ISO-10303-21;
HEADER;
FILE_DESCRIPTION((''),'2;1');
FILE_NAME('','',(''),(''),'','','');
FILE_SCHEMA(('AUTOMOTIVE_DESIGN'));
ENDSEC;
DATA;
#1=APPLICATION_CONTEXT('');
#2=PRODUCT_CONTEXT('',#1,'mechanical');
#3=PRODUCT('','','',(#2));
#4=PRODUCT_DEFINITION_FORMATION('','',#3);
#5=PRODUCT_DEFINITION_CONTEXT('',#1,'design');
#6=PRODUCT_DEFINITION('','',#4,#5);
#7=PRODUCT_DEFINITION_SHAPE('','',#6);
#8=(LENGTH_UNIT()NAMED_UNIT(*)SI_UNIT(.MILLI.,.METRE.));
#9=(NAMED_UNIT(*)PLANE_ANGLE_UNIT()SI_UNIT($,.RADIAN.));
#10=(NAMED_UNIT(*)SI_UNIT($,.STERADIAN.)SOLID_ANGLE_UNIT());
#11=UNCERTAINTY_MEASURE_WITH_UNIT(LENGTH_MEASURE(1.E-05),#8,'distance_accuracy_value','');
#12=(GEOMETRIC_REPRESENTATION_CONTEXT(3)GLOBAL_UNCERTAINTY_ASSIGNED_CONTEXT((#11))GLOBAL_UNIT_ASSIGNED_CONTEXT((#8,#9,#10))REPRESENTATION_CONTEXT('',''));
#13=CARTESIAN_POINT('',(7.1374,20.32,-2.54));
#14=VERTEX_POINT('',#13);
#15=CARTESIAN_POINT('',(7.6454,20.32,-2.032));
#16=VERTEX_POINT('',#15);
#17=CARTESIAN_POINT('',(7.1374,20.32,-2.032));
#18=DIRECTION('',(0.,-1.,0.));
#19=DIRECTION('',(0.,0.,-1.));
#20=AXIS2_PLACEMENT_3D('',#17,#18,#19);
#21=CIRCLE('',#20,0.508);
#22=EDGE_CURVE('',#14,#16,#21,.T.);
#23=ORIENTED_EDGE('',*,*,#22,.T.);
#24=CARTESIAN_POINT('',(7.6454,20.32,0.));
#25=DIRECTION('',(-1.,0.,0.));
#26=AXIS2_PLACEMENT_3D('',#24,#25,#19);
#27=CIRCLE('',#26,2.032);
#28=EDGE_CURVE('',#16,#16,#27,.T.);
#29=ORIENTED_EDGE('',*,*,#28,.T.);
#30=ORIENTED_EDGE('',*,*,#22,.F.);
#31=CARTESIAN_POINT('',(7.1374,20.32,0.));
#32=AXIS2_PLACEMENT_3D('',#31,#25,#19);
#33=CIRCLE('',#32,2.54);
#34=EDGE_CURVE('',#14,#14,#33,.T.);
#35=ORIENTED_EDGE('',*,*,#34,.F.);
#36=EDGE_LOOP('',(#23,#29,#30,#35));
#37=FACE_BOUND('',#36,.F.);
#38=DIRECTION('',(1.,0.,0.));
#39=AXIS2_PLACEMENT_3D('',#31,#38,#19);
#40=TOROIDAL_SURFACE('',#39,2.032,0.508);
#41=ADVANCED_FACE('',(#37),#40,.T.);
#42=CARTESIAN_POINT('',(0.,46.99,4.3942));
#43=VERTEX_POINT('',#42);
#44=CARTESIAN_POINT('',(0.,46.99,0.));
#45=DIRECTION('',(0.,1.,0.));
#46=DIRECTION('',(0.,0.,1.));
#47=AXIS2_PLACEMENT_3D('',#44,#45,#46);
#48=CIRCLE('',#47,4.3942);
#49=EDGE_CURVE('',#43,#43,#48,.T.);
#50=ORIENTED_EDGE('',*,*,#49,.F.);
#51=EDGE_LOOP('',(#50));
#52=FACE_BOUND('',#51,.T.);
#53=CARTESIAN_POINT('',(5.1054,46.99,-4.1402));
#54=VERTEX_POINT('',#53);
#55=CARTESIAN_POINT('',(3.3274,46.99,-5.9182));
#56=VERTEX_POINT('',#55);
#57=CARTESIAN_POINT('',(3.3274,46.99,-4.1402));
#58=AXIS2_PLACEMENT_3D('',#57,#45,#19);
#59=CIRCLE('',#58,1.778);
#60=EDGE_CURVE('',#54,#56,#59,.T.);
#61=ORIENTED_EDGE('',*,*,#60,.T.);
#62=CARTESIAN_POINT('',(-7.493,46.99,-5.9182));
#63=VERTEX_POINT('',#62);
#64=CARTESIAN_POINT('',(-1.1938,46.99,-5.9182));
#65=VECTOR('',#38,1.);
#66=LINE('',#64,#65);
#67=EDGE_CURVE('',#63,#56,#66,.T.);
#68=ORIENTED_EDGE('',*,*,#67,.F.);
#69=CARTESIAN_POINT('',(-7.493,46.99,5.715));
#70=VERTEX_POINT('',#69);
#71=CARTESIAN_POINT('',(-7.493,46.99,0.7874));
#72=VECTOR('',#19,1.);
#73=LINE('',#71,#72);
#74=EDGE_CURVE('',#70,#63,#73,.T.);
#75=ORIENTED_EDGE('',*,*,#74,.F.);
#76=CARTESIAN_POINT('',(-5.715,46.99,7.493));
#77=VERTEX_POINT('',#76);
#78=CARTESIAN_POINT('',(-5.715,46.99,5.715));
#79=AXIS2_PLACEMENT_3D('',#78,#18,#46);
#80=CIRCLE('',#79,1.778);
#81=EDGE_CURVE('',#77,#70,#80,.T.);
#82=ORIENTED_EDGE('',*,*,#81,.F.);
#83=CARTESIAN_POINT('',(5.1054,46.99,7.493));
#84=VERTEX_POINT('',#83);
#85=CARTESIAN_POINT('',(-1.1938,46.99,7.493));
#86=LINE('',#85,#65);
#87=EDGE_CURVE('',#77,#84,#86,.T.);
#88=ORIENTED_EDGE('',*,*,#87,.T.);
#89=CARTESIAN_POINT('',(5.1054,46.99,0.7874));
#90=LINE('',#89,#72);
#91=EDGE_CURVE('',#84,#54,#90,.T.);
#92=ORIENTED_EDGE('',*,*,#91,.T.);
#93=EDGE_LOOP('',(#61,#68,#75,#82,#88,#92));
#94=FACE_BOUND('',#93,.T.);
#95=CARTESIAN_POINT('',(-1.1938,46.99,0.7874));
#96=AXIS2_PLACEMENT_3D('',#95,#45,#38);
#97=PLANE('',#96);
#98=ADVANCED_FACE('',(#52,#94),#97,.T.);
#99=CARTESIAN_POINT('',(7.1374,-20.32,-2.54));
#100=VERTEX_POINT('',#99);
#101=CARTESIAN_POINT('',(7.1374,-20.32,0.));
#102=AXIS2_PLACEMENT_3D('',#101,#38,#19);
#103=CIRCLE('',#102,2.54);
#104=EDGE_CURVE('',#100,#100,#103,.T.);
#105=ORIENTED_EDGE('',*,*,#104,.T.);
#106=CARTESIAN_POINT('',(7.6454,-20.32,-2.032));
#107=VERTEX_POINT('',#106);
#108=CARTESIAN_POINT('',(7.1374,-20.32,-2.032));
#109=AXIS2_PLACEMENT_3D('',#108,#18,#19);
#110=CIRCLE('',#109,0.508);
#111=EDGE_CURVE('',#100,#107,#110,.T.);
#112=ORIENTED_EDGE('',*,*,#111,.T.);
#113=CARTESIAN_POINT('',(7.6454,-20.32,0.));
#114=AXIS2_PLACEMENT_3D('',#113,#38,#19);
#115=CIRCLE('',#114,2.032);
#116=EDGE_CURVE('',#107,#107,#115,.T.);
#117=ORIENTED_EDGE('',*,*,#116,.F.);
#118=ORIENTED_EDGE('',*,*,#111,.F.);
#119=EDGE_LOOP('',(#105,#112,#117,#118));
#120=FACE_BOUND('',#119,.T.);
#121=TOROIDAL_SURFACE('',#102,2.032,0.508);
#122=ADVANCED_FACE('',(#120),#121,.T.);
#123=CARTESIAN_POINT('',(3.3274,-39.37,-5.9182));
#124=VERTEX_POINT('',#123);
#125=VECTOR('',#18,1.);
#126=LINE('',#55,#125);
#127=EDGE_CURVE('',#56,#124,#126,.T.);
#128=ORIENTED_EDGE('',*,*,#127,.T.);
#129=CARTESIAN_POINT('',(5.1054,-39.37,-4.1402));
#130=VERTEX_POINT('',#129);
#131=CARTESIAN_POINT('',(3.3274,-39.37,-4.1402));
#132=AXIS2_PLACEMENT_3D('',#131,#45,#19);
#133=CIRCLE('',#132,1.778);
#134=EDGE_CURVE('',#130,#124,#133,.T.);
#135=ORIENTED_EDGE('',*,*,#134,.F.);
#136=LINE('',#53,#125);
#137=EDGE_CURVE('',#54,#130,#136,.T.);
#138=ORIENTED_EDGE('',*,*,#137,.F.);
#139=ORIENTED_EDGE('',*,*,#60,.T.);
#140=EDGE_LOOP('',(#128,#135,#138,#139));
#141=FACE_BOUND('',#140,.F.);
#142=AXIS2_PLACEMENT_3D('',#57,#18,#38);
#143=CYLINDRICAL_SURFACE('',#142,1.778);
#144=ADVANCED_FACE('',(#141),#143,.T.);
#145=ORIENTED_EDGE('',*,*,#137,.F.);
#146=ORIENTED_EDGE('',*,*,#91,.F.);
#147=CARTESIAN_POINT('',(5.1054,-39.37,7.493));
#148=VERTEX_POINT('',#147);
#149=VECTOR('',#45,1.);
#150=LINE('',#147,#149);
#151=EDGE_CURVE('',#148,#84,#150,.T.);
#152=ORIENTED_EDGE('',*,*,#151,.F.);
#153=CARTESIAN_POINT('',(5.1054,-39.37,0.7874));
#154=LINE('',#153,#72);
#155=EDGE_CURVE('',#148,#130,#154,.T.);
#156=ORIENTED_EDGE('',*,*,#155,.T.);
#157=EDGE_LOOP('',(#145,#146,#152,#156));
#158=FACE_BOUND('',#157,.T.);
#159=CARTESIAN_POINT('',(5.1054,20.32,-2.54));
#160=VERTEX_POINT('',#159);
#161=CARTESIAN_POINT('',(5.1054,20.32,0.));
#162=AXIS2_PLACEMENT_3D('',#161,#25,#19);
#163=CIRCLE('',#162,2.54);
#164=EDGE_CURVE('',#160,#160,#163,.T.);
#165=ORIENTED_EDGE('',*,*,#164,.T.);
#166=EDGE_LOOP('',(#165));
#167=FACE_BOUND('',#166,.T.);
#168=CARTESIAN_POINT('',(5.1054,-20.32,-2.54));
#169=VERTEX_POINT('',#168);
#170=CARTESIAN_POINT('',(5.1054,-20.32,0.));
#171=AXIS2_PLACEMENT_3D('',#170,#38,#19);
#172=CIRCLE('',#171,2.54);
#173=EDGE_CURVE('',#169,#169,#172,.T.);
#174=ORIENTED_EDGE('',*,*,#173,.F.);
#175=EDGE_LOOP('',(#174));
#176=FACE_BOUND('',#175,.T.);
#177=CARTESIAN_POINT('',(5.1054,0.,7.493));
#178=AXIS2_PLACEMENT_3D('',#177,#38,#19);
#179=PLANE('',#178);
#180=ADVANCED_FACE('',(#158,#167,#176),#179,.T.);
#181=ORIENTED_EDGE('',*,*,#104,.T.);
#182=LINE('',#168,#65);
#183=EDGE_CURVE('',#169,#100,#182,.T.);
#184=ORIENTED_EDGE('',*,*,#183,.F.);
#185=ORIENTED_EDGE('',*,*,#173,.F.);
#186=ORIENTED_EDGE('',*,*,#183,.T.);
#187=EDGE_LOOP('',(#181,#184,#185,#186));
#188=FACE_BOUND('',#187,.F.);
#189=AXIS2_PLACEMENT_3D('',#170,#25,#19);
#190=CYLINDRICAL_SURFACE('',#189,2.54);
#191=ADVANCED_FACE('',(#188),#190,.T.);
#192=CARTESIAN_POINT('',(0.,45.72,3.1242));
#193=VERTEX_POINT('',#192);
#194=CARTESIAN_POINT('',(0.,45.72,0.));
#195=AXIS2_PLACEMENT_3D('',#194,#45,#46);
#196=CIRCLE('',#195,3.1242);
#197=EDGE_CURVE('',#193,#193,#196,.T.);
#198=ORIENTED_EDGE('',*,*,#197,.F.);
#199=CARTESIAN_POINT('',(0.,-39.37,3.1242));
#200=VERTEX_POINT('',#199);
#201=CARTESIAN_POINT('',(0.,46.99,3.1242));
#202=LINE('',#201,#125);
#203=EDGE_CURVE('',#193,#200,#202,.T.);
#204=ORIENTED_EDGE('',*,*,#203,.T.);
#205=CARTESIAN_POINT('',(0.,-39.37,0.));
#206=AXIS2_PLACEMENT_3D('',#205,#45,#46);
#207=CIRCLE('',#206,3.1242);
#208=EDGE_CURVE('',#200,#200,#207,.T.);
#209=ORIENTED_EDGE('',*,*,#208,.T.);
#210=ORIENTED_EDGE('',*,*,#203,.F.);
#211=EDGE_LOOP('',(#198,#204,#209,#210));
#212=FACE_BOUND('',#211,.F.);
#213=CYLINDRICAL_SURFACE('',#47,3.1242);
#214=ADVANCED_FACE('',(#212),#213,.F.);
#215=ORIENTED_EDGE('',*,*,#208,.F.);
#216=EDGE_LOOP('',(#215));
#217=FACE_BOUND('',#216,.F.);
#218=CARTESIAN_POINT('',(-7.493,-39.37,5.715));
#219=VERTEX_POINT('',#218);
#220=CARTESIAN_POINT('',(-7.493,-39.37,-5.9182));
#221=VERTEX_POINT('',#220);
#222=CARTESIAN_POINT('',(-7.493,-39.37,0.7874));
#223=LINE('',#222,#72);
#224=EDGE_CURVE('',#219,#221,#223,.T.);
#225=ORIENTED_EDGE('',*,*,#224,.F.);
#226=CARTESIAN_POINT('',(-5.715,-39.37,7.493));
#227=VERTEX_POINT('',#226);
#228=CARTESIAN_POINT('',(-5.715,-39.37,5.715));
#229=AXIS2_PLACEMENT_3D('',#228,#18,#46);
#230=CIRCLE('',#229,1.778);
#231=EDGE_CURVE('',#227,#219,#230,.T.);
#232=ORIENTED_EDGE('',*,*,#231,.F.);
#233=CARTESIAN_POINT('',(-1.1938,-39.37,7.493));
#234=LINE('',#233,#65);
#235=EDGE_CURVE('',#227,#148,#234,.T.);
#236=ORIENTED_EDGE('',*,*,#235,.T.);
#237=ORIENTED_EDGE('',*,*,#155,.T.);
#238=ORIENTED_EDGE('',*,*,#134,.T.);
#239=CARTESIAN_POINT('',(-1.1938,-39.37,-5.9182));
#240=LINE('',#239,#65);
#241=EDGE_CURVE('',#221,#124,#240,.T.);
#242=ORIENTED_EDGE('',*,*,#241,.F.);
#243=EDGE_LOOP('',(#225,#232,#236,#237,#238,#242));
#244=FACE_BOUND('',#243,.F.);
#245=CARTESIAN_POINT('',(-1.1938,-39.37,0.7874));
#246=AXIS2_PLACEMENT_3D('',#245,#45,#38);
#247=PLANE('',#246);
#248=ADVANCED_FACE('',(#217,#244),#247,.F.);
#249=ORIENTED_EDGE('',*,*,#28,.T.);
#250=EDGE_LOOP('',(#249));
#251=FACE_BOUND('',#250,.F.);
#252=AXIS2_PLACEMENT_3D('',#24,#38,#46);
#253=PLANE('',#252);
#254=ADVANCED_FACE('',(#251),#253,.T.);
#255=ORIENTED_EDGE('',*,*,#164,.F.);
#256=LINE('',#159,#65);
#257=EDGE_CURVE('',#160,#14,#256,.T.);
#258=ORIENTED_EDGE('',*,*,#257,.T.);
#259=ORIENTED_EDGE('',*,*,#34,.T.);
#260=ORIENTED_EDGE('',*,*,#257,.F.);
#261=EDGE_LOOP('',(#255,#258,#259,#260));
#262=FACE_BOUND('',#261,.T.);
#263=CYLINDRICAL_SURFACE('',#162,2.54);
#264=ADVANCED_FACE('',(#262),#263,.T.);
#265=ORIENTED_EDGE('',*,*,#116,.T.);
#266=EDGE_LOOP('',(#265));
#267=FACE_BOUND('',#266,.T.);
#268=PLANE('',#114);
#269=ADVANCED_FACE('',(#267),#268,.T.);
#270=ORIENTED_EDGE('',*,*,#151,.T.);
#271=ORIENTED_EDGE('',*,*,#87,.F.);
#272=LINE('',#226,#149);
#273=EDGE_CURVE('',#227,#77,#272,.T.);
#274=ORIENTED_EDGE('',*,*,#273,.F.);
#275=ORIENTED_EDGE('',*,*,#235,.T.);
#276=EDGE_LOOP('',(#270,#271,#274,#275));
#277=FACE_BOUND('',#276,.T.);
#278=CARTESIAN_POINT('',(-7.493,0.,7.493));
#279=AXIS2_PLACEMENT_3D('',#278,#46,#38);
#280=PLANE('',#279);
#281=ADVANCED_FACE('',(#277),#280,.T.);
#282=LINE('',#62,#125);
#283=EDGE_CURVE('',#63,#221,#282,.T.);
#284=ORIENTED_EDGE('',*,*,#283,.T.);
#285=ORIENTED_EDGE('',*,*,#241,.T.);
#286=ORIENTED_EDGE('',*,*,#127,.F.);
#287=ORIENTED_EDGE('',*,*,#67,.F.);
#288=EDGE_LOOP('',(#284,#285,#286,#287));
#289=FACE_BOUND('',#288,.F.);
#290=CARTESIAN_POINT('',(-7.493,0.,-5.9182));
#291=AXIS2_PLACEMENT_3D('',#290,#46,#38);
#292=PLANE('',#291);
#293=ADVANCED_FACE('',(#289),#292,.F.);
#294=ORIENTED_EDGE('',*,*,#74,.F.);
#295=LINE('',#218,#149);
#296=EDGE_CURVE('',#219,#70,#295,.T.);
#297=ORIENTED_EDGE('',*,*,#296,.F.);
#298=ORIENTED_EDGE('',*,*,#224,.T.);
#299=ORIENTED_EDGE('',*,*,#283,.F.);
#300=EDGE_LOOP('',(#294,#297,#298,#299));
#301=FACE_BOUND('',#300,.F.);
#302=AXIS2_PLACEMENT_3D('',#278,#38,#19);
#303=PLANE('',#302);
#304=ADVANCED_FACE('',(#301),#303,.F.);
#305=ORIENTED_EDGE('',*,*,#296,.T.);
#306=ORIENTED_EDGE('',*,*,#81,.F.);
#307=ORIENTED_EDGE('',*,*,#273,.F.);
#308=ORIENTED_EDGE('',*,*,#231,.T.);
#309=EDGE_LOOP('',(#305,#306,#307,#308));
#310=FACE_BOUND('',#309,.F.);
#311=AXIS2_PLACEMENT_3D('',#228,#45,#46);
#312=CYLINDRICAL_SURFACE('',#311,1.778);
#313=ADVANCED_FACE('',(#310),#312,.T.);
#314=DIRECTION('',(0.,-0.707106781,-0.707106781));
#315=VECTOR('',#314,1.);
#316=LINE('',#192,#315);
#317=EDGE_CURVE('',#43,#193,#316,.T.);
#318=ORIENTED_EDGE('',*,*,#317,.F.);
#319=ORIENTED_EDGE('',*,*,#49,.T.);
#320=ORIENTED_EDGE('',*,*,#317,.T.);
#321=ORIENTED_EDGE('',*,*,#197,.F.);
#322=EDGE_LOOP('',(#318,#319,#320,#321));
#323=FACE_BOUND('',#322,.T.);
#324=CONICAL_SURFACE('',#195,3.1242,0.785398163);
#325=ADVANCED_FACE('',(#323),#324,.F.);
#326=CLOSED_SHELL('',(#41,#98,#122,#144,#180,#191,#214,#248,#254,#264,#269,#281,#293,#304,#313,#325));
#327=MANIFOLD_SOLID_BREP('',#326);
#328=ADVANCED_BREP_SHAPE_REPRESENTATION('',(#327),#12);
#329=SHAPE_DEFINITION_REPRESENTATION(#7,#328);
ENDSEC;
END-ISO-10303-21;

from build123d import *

# Parameters (mm, degrees)
SKETCH1_W                = 12.5984
SKETCH1_H                = 13.4112
BOSS_EXTRUDE1_DEPTH      = 46.99
BOSS_EXTRUDE1_DEPTH_BACK = 39.37
SKETCH2_R                = 3.1242
CUT_EXTRUDE1_DEPTH       = 87.36
SKETCH4_R                = 2.54
BOSS_EXTRUDE2_DEPTH      = 2.54
FILLET2_R                = 0.508
FILLET2_OF_MIRROR1_R     = 0.508
FILLET1_R                = 1.778
CHAMFER1_SIZE            = 1.27


with BuildPart() as part:
    # Sketch1 → Boss-Extrude1 (new body, two sides)
    with BuildSketch(Plane(origin=(0, 0, 0), x_dir=(1, 0, 0), z_dir=(0, 1, 0))) as boss_extrude1_sk:
        with Locations((-1.1938, -0.7874)):
            Rectangle(SKETCH1_W, SKETCH1_H)
    extrude(amount=BOSS_EXTRUDE1_DEPTH)
    extrude(boss_extrude1_sk.sketch, amount=-BOSS_EXTRUDE1_DEPTH_BACK)

    # Sketch2 → Cut-Extrude1 (cut, through all)
    with BuildSketch(Plane(origin=(0, 46.99, 0), x_dir=(1, 0, 0), z_dir=(0, 1, 0))):
        with Locations(Location((0, 0, 0), (0, 0, 270))):  # turned: the seam where the file's is
            Circle(SKETCH2_R)
    extrude(amount=-CUT_EXTRUDE1_DEPTH, mode=Mode.SUBTRACT)

    # Sketch4 → Boss-Extrude2 (add)
    with BuildSketch(Plane(origin=(5.1054, 0, 0), x_dir=(0, 0, -1), z_dir=(1, 0, 0))):
        with Locations((0, -20.32)):
            Circle(SKETCH4_R)
    boss_extrude2 = extrude(amount=BOSS_EXTRUDE2_DEPTH)

    # Fillet2
    fillet2_edges = [part.edges().sort_by_distance(p)[0] for p in [
        (7.6454, -20.32, 2.54),
    ]]
    fillet(fillet2_edges, radius=FILLET2_R)

    # Mirror1: Boss-Extrude2 across plane
    add(boss_extrude2.mirror(Plane.ZX))

    # Fillet2 of Mirror1
    fillet2_of_mirror1_edges = [part.edges().sort_by_distance(p)[0] for p in [
        (7.6454, 20.32, 2.54),
    ]]
    fillet(fillet2_of_mirror1_edges, radius=FILLET2_OF_MIRROR1_R)

    # Fillet1
    fillet1_edges = [part.edges().sort_by_distance(p)[0] for p in [
        (5.1054, 3.81, -5.9182),
        (-7.493, 3.81, 7.493),
    ]]
    fillet(fillet1_edges, radius=FILLET1_R)

    # Chamfer1
    chamfer1_edges = [part.edges().sort_by_distance(p)[0] for p in [
        (0, 46.99, -3.1242),
    ]]
    chamfer(chamfer1_edges, length=CHAMFER1_SIZE)


solid = part.part
